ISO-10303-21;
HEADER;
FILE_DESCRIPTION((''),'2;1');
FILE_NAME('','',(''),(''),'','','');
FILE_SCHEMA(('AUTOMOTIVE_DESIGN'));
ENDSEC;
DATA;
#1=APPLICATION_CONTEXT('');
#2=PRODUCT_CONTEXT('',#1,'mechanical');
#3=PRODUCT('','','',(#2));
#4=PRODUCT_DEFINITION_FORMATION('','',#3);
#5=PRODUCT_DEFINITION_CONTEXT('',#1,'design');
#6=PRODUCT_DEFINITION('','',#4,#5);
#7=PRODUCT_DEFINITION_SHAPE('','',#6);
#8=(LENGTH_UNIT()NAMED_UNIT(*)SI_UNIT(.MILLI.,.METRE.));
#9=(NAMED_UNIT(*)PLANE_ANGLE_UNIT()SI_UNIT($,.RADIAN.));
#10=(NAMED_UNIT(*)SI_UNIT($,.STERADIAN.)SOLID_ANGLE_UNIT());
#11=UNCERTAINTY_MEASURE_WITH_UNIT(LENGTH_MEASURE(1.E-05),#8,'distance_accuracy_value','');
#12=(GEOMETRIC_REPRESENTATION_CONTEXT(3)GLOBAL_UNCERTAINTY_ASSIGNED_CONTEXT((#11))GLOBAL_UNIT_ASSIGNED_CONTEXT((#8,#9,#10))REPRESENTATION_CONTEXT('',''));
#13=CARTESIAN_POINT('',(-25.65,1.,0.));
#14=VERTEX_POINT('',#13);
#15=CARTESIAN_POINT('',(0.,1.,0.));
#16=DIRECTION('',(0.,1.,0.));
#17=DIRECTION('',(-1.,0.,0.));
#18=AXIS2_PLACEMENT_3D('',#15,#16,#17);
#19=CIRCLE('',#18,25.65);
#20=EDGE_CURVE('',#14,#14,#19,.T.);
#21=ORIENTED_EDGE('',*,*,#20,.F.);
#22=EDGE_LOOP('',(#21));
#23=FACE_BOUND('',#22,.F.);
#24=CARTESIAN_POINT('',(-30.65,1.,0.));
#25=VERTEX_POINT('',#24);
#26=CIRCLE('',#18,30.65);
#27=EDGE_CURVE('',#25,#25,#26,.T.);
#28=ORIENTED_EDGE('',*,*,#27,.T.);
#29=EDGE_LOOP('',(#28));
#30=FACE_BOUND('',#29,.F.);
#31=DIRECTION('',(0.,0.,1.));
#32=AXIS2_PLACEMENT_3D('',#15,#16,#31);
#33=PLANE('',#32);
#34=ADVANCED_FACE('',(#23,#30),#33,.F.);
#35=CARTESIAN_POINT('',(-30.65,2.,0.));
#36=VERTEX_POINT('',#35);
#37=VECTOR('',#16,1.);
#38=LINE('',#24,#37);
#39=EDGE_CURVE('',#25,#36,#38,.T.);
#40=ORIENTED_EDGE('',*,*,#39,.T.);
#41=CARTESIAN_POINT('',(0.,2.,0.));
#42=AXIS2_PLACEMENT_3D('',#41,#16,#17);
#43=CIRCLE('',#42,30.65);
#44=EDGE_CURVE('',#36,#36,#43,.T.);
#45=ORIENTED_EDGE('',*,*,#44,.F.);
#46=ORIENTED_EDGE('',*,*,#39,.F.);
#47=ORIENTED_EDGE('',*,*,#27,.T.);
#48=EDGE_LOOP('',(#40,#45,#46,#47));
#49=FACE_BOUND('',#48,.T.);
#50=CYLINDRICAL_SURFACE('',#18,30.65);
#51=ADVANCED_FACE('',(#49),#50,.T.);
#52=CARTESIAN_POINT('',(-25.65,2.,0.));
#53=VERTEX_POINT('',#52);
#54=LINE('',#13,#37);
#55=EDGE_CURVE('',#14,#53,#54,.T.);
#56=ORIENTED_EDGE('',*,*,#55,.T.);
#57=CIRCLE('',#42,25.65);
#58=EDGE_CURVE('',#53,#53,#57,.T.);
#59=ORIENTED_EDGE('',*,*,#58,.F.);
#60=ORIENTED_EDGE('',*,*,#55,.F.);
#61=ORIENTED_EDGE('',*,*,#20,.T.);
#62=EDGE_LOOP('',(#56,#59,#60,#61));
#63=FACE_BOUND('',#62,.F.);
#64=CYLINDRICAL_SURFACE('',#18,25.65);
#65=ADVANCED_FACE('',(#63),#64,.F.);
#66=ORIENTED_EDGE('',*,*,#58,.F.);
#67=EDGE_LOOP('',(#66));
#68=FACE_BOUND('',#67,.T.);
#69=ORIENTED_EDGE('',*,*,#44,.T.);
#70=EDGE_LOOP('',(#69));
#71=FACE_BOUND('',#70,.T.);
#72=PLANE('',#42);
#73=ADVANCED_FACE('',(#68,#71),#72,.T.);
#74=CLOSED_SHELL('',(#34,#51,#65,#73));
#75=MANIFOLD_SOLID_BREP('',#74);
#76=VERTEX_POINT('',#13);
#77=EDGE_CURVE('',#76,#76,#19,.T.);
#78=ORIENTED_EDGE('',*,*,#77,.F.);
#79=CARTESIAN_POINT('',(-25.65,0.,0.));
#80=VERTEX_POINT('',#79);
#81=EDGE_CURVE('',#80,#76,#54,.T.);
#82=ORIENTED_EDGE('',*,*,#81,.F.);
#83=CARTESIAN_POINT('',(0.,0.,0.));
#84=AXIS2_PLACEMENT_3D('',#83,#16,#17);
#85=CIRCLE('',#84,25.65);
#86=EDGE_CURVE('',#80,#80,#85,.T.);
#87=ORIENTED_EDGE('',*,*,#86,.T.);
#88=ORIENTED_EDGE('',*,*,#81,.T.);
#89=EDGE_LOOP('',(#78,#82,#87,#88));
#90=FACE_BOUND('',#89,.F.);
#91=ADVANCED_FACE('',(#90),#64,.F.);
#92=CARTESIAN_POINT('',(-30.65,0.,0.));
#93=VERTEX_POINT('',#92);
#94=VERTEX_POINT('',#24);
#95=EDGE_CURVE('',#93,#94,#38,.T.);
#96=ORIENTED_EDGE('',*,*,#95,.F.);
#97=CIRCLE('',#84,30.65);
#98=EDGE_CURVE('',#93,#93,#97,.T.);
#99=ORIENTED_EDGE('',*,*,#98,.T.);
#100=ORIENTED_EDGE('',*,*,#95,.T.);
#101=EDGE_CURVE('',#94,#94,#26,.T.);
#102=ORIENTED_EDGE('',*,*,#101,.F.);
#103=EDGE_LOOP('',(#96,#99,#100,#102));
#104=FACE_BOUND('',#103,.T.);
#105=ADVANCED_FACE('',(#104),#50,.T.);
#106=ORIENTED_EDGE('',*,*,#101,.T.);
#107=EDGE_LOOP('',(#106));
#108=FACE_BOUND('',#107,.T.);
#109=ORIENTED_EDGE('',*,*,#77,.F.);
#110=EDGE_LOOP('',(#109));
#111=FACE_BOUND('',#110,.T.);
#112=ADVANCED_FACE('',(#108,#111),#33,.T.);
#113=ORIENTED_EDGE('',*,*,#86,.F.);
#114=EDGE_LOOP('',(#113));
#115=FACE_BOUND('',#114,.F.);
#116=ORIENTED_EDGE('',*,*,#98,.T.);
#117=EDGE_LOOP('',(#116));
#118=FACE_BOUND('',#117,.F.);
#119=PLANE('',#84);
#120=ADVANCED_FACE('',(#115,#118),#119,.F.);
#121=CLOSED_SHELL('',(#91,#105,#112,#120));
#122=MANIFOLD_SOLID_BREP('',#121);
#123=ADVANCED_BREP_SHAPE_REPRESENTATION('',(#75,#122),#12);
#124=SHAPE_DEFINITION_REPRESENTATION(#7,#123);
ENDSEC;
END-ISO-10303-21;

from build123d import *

# Parameters (mm, degrees)
SKETCH1_W = 5
SKETCH1_H = 2


with BuildPart() as part:
    # Sketch1 → Revolve1 (revolve)
    with BuildSketch(Plane.XY):
        with Locations((-28.15, 1)):
            Rectangle(SKETCH1_W, SKETCH1_H)
    revolve(axis=Axis((0, 0, 0), (0, 1, 0)))


with BuildPart() as body_2:
    # Split1: the piece on the far side of the plane
    add(part.part)
    split(bisect_by=Plane.ZX.offset(1), keep=Keep.BOTTOM)


with BuildPart() as part_1:
    add(part.part)

    # Split1
    split(bisect_by=Plane.ZX.offset(1), keep=Keep.TOP)


solid = Compound([body_2.part, part_1.part])
